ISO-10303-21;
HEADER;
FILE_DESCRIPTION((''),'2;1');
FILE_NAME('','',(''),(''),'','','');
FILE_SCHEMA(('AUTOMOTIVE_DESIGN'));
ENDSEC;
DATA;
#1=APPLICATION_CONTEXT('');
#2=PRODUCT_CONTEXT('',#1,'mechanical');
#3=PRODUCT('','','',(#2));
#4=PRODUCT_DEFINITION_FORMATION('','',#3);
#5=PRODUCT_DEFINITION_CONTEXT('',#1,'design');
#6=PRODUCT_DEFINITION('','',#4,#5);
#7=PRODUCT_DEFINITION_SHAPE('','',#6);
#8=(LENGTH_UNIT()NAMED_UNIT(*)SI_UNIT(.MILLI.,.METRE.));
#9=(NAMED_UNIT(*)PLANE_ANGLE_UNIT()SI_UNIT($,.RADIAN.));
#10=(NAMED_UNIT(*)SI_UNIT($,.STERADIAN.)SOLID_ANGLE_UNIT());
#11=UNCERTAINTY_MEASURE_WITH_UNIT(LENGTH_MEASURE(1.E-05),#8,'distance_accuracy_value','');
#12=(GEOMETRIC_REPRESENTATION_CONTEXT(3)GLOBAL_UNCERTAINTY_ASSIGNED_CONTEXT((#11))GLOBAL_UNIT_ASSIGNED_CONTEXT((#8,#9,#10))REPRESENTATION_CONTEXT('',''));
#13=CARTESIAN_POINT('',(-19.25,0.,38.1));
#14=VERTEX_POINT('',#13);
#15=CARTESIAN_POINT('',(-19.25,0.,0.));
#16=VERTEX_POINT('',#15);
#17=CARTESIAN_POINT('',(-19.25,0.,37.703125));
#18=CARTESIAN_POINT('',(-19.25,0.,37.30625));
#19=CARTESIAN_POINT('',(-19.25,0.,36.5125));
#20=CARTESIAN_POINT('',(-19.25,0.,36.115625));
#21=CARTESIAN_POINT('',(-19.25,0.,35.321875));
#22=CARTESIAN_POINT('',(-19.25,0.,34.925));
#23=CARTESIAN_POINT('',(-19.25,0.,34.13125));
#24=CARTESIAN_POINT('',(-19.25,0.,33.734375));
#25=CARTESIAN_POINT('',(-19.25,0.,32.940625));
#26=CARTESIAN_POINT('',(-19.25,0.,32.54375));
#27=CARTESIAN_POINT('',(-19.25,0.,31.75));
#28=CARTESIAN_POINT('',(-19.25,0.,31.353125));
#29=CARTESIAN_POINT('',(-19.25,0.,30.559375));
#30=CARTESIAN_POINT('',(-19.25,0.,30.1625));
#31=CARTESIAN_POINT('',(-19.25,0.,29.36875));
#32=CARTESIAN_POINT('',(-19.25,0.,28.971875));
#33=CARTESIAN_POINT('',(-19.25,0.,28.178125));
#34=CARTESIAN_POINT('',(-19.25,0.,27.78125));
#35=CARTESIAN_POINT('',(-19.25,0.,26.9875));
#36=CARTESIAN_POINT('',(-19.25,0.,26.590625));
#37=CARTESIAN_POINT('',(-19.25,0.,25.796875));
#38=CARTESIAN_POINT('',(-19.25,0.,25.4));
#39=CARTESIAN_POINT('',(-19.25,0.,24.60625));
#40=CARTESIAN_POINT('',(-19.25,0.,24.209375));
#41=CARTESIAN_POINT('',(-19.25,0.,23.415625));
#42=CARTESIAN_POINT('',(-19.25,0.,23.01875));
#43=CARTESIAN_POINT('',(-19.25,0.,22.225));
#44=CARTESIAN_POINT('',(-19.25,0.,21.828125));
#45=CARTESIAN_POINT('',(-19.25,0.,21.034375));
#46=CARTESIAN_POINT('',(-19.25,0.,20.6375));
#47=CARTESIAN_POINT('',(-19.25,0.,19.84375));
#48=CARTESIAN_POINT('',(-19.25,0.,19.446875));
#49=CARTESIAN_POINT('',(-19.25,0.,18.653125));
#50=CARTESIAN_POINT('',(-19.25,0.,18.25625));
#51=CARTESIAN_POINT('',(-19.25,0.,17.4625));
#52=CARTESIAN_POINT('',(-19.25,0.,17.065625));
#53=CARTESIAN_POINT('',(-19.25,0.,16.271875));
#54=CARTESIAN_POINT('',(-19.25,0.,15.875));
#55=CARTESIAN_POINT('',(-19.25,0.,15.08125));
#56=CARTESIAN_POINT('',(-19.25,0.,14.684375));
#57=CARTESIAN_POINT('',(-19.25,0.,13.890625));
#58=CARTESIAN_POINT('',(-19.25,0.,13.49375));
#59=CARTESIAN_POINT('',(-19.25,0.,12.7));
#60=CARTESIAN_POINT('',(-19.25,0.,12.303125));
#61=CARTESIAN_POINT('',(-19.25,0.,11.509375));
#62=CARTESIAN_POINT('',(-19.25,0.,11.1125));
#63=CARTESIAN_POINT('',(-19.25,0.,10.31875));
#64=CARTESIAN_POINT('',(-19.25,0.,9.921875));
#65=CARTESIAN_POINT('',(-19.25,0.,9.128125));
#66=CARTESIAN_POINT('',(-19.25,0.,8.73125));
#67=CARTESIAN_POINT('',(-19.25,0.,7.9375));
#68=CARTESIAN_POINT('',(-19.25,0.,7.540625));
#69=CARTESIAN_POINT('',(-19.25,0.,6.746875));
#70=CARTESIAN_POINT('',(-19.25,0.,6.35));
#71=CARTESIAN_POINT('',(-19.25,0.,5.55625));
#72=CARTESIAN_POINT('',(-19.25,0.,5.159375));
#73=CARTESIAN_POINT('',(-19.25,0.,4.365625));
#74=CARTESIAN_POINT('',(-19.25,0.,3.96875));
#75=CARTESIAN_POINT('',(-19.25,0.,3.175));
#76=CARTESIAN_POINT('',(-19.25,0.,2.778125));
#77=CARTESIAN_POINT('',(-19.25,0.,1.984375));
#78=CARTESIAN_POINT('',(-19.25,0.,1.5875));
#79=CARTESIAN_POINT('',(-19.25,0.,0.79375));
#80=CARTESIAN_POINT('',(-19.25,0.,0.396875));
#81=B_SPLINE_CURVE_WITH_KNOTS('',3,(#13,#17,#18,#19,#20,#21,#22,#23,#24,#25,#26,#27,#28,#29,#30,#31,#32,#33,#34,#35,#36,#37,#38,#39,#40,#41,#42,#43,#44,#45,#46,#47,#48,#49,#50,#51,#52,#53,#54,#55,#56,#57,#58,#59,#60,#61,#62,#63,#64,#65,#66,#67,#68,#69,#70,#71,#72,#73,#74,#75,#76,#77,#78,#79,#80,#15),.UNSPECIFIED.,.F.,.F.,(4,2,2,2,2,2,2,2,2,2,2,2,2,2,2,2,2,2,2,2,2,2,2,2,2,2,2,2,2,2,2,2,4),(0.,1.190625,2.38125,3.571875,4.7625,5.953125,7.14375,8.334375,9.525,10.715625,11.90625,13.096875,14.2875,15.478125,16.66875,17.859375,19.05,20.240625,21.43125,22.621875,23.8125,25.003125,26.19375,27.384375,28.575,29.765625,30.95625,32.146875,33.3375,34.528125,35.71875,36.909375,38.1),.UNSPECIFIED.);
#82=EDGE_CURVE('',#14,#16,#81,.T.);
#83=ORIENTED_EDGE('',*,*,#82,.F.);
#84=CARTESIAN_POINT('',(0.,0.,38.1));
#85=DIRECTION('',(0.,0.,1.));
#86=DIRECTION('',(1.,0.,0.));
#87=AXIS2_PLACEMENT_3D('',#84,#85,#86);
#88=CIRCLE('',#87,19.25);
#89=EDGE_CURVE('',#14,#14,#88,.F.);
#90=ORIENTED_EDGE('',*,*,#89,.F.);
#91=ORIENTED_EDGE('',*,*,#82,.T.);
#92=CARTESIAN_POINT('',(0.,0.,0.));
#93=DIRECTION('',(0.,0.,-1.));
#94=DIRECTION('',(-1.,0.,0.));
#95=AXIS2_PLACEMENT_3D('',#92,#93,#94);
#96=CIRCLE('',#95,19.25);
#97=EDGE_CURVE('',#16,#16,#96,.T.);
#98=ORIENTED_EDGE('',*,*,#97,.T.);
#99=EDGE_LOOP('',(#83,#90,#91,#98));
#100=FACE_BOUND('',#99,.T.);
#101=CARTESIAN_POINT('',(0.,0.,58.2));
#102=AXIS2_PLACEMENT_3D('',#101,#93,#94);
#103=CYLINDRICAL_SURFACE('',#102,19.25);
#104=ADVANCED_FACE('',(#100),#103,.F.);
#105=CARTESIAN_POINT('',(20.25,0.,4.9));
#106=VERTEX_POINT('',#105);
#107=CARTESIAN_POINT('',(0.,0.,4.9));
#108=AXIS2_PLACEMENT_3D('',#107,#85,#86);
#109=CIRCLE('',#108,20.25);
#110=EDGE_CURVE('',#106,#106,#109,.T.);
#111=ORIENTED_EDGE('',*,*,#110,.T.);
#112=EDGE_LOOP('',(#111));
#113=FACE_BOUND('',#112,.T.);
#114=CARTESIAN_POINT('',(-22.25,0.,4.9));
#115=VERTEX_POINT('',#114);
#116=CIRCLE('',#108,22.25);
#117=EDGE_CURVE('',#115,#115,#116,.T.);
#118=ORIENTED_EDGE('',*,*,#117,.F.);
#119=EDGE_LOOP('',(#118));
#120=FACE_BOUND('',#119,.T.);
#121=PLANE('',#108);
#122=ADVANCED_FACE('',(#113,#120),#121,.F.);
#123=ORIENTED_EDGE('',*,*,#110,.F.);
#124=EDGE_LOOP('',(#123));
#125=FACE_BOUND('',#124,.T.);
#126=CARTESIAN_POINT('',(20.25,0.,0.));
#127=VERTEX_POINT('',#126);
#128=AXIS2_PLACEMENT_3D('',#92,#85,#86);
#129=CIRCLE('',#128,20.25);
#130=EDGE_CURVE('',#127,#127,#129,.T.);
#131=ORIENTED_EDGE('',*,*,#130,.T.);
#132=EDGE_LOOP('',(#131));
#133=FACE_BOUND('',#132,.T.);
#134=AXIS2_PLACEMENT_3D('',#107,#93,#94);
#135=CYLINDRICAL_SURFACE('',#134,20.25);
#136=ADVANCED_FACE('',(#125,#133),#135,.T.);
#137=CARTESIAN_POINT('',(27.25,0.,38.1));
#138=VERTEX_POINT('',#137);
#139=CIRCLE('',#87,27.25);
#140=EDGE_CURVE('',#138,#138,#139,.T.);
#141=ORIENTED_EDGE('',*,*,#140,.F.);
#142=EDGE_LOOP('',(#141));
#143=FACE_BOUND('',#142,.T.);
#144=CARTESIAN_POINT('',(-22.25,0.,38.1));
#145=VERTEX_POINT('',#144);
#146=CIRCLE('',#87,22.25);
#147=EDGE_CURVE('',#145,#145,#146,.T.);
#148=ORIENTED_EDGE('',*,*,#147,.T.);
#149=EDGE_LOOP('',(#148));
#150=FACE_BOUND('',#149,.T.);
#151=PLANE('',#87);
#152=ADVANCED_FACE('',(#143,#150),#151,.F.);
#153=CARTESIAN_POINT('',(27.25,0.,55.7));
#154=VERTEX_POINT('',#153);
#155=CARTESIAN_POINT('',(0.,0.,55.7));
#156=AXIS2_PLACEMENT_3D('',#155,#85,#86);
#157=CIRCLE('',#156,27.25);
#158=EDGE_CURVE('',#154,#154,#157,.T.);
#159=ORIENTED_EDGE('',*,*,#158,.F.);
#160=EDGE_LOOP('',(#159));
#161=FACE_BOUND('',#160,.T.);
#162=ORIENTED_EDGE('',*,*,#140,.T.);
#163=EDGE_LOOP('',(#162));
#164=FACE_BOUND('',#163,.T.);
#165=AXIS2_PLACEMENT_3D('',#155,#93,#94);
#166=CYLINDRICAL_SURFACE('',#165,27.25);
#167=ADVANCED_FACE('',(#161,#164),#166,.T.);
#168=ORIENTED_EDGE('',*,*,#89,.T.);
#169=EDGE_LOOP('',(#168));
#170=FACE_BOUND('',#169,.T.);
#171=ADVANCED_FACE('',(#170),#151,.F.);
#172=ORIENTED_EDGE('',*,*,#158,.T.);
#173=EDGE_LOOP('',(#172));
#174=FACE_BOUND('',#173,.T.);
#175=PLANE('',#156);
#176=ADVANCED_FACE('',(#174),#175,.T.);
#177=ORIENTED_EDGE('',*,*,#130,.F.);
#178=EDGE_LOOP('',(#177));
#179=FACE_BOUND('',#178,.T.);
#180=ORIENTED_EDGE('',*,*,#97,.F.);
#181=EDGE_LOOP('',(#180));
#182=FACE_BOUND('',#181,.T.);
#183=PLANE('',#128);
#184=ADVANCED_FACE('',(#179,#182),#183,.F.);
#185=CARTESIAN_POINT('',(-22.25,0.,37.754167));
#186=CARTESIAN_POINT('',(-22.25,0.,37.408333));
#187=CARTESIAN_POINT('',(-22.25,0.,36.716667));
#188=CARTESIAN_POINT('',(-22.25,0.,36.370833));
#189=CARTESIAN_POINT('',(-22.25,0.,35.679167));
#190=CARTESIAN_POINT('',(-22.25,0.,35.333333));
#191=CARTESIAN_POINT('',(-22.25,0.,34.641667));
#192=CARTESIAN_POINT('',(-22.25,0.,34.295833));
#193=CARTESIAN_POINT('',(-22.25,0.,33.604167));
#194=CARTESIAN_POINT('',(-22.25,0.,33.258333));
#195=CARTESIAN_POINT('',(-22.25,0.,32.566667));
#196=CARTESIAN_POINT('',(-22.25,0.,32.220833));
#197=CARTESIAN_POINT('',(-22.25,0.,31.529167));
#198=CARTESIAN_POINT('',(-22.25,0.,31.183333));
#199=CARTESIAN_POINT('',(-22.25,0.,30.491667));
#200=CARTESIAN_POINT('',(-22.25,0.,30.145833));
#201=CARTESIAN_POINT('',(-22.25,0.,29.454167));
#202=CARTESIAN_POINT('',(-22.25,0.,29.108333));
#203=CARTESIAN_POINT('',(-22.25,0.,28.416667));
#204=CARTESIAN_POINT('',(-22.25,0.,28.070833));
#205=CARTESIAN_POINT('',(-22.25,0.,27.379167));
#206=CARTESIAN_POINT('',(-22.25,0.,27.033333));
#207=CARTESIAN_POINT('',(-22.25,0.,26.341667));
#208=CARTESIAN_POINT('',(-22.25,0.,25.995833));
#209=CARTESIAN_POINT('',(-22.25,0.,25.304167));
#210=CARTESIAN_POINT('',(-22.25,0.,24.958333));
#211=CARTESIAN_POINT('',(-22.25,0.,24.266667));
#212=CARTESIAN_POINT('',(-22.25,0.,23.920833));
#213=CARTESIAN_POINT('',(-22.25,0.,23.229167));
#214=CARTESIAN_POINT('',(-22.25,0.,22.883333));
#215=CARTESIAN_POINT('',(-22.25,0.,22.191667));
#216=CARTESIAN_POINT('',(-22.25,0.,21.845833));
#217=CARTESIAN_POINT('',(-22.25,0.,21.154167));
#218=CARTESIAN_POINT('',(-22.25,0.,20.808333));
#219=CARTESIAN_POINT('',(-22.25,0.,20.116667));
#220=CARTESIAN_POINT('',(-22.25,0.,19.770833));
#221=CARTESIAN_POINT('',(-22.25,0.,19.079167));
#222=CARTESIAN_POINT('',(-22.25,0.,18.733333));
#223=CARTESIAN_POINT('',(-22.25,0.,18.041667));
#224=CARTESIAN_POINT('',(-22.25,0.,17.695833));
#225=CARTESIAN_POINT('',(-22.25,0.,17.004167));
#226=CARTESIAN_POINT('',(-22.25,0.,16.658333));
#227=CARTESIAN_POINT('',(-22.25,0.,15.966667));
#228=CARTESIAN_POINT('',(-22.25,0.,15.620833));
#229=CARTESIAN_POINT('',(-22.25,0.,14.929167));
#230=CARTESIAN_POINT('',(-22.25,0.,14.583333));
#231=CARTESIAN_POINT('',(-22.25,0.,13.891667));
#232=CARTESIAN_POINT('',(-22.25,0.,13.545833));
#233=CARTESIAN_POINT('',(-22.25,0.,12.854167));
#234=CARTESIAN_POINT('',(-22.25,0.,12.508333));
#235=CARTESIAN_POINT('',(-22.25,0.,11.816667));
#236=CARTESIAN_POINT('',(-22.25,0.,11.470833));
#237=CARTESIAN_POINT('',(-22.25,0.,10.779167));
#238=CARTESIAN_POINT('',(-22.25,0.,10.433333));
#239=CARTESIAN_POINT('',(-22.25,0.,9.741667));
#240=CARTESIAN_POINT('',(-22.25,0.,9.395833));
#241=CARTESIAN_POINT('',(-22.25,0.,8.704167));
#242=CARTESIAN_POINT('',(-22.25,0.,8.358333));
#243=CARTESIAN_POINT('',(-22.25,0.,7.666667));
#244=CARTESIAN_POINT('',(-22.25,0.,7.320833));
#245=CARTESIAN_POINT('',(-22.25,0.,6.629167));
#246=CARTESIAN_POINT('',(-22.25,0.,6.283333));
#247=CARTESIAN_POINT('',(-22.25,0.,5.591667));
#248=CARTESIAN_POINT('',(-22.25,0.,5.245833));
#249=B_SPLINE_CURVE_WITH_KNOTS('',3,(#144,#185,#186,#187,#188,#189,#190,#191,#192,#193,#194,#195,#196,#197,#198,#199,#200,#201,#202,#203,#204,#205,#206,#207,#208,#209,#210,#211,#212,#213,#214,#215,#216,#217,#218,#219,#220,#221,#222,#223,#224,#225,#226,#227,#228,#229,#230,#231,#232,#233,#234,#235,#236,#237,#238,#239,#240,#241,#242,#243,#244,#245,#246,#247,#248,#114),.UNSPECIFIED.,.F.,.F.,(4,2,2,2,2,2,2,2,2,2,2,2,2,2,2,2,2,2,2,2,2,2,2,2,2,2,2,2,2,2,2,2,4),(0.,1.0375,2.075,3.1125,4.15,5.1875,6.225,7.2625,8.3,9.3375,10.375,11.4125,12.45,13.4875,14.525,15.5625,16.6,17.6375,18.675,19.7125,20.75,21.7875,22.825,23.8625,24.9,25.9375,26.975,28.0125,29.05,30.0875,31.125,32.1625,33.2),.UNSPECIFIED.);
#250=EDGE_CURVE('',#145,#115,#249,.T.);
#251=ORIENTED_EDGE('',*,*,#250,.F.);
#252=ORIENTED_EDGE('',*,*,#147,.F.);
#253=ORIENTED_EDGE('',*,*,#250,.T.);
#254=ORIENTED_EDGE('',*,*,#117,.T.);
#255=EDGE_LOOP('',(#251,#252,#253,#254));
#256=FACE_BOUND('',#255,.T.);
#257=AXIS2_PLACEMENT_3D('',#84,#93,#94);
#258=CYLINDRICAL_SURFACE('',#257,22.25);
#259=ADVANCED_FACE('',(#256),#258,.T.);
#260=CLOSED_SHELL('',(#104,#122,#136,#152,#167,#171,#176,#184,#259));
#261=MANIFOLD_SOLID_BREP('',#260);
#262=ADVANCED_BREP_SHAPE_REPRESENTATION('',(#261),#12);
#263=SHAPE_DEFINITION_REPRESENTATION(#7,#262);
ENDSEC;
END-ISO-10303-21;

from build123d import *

# Parameters (mm, degrees)
SKETCH1_R           = 20.25
BOSS_EXTRUDE1_DEPTH = 4.9
SKETCH2_R           = 22.25
BOSS_EXTRUDE2_DEPTH = 33.2
SKETCH4_R           = 19.25
CUT_EXTRUDE2_DEPTH  = 58.2
SKETCH5_R           = 27.25
BOSS_EXTRUDE3_DEPTH = 17.6


with BuildPart() as part:
    # Sketch1 → Boss-Extrude1 (new body)
    with BuildSketch(Plane.XY):
        Circle(SKETCH1_R)
    extrude(amount=BOSS_EXTRUDE1_DEPTH)

    # Sketch2 → Boss-Extrude2 (add)
    with BuildSketch(Plane.XY.offset(4.9)):
        with Locations(Location((0, 0, 0), (0, 0, 180))):
            Circle(SKETCH2_R)
    extrude(amount=BOSS_EXTRUDE2_DEPTH)

    # Sketch4 → Cut-Extrude2 (cut)
    with BuildSketch(Plane(origin=(0, 0, 0), x_dir=(-1, 0, 0), z_dir=(0, 0, -1))):
        Circle(SKETCH4_R)
    extrude(amount=-CUT_EXTRUDE2_DEPTH, mode=Mode.SUBTRACT)

    # Sketch5 → Boss-Extrude3 (add)
    with BuildSketch(Plane.XY.offset(38.1)):
        Circle(SKETCH5_R)
    extrude(amount=BOSS_EXTRUDE3_DEPTH)


solid = part.part
